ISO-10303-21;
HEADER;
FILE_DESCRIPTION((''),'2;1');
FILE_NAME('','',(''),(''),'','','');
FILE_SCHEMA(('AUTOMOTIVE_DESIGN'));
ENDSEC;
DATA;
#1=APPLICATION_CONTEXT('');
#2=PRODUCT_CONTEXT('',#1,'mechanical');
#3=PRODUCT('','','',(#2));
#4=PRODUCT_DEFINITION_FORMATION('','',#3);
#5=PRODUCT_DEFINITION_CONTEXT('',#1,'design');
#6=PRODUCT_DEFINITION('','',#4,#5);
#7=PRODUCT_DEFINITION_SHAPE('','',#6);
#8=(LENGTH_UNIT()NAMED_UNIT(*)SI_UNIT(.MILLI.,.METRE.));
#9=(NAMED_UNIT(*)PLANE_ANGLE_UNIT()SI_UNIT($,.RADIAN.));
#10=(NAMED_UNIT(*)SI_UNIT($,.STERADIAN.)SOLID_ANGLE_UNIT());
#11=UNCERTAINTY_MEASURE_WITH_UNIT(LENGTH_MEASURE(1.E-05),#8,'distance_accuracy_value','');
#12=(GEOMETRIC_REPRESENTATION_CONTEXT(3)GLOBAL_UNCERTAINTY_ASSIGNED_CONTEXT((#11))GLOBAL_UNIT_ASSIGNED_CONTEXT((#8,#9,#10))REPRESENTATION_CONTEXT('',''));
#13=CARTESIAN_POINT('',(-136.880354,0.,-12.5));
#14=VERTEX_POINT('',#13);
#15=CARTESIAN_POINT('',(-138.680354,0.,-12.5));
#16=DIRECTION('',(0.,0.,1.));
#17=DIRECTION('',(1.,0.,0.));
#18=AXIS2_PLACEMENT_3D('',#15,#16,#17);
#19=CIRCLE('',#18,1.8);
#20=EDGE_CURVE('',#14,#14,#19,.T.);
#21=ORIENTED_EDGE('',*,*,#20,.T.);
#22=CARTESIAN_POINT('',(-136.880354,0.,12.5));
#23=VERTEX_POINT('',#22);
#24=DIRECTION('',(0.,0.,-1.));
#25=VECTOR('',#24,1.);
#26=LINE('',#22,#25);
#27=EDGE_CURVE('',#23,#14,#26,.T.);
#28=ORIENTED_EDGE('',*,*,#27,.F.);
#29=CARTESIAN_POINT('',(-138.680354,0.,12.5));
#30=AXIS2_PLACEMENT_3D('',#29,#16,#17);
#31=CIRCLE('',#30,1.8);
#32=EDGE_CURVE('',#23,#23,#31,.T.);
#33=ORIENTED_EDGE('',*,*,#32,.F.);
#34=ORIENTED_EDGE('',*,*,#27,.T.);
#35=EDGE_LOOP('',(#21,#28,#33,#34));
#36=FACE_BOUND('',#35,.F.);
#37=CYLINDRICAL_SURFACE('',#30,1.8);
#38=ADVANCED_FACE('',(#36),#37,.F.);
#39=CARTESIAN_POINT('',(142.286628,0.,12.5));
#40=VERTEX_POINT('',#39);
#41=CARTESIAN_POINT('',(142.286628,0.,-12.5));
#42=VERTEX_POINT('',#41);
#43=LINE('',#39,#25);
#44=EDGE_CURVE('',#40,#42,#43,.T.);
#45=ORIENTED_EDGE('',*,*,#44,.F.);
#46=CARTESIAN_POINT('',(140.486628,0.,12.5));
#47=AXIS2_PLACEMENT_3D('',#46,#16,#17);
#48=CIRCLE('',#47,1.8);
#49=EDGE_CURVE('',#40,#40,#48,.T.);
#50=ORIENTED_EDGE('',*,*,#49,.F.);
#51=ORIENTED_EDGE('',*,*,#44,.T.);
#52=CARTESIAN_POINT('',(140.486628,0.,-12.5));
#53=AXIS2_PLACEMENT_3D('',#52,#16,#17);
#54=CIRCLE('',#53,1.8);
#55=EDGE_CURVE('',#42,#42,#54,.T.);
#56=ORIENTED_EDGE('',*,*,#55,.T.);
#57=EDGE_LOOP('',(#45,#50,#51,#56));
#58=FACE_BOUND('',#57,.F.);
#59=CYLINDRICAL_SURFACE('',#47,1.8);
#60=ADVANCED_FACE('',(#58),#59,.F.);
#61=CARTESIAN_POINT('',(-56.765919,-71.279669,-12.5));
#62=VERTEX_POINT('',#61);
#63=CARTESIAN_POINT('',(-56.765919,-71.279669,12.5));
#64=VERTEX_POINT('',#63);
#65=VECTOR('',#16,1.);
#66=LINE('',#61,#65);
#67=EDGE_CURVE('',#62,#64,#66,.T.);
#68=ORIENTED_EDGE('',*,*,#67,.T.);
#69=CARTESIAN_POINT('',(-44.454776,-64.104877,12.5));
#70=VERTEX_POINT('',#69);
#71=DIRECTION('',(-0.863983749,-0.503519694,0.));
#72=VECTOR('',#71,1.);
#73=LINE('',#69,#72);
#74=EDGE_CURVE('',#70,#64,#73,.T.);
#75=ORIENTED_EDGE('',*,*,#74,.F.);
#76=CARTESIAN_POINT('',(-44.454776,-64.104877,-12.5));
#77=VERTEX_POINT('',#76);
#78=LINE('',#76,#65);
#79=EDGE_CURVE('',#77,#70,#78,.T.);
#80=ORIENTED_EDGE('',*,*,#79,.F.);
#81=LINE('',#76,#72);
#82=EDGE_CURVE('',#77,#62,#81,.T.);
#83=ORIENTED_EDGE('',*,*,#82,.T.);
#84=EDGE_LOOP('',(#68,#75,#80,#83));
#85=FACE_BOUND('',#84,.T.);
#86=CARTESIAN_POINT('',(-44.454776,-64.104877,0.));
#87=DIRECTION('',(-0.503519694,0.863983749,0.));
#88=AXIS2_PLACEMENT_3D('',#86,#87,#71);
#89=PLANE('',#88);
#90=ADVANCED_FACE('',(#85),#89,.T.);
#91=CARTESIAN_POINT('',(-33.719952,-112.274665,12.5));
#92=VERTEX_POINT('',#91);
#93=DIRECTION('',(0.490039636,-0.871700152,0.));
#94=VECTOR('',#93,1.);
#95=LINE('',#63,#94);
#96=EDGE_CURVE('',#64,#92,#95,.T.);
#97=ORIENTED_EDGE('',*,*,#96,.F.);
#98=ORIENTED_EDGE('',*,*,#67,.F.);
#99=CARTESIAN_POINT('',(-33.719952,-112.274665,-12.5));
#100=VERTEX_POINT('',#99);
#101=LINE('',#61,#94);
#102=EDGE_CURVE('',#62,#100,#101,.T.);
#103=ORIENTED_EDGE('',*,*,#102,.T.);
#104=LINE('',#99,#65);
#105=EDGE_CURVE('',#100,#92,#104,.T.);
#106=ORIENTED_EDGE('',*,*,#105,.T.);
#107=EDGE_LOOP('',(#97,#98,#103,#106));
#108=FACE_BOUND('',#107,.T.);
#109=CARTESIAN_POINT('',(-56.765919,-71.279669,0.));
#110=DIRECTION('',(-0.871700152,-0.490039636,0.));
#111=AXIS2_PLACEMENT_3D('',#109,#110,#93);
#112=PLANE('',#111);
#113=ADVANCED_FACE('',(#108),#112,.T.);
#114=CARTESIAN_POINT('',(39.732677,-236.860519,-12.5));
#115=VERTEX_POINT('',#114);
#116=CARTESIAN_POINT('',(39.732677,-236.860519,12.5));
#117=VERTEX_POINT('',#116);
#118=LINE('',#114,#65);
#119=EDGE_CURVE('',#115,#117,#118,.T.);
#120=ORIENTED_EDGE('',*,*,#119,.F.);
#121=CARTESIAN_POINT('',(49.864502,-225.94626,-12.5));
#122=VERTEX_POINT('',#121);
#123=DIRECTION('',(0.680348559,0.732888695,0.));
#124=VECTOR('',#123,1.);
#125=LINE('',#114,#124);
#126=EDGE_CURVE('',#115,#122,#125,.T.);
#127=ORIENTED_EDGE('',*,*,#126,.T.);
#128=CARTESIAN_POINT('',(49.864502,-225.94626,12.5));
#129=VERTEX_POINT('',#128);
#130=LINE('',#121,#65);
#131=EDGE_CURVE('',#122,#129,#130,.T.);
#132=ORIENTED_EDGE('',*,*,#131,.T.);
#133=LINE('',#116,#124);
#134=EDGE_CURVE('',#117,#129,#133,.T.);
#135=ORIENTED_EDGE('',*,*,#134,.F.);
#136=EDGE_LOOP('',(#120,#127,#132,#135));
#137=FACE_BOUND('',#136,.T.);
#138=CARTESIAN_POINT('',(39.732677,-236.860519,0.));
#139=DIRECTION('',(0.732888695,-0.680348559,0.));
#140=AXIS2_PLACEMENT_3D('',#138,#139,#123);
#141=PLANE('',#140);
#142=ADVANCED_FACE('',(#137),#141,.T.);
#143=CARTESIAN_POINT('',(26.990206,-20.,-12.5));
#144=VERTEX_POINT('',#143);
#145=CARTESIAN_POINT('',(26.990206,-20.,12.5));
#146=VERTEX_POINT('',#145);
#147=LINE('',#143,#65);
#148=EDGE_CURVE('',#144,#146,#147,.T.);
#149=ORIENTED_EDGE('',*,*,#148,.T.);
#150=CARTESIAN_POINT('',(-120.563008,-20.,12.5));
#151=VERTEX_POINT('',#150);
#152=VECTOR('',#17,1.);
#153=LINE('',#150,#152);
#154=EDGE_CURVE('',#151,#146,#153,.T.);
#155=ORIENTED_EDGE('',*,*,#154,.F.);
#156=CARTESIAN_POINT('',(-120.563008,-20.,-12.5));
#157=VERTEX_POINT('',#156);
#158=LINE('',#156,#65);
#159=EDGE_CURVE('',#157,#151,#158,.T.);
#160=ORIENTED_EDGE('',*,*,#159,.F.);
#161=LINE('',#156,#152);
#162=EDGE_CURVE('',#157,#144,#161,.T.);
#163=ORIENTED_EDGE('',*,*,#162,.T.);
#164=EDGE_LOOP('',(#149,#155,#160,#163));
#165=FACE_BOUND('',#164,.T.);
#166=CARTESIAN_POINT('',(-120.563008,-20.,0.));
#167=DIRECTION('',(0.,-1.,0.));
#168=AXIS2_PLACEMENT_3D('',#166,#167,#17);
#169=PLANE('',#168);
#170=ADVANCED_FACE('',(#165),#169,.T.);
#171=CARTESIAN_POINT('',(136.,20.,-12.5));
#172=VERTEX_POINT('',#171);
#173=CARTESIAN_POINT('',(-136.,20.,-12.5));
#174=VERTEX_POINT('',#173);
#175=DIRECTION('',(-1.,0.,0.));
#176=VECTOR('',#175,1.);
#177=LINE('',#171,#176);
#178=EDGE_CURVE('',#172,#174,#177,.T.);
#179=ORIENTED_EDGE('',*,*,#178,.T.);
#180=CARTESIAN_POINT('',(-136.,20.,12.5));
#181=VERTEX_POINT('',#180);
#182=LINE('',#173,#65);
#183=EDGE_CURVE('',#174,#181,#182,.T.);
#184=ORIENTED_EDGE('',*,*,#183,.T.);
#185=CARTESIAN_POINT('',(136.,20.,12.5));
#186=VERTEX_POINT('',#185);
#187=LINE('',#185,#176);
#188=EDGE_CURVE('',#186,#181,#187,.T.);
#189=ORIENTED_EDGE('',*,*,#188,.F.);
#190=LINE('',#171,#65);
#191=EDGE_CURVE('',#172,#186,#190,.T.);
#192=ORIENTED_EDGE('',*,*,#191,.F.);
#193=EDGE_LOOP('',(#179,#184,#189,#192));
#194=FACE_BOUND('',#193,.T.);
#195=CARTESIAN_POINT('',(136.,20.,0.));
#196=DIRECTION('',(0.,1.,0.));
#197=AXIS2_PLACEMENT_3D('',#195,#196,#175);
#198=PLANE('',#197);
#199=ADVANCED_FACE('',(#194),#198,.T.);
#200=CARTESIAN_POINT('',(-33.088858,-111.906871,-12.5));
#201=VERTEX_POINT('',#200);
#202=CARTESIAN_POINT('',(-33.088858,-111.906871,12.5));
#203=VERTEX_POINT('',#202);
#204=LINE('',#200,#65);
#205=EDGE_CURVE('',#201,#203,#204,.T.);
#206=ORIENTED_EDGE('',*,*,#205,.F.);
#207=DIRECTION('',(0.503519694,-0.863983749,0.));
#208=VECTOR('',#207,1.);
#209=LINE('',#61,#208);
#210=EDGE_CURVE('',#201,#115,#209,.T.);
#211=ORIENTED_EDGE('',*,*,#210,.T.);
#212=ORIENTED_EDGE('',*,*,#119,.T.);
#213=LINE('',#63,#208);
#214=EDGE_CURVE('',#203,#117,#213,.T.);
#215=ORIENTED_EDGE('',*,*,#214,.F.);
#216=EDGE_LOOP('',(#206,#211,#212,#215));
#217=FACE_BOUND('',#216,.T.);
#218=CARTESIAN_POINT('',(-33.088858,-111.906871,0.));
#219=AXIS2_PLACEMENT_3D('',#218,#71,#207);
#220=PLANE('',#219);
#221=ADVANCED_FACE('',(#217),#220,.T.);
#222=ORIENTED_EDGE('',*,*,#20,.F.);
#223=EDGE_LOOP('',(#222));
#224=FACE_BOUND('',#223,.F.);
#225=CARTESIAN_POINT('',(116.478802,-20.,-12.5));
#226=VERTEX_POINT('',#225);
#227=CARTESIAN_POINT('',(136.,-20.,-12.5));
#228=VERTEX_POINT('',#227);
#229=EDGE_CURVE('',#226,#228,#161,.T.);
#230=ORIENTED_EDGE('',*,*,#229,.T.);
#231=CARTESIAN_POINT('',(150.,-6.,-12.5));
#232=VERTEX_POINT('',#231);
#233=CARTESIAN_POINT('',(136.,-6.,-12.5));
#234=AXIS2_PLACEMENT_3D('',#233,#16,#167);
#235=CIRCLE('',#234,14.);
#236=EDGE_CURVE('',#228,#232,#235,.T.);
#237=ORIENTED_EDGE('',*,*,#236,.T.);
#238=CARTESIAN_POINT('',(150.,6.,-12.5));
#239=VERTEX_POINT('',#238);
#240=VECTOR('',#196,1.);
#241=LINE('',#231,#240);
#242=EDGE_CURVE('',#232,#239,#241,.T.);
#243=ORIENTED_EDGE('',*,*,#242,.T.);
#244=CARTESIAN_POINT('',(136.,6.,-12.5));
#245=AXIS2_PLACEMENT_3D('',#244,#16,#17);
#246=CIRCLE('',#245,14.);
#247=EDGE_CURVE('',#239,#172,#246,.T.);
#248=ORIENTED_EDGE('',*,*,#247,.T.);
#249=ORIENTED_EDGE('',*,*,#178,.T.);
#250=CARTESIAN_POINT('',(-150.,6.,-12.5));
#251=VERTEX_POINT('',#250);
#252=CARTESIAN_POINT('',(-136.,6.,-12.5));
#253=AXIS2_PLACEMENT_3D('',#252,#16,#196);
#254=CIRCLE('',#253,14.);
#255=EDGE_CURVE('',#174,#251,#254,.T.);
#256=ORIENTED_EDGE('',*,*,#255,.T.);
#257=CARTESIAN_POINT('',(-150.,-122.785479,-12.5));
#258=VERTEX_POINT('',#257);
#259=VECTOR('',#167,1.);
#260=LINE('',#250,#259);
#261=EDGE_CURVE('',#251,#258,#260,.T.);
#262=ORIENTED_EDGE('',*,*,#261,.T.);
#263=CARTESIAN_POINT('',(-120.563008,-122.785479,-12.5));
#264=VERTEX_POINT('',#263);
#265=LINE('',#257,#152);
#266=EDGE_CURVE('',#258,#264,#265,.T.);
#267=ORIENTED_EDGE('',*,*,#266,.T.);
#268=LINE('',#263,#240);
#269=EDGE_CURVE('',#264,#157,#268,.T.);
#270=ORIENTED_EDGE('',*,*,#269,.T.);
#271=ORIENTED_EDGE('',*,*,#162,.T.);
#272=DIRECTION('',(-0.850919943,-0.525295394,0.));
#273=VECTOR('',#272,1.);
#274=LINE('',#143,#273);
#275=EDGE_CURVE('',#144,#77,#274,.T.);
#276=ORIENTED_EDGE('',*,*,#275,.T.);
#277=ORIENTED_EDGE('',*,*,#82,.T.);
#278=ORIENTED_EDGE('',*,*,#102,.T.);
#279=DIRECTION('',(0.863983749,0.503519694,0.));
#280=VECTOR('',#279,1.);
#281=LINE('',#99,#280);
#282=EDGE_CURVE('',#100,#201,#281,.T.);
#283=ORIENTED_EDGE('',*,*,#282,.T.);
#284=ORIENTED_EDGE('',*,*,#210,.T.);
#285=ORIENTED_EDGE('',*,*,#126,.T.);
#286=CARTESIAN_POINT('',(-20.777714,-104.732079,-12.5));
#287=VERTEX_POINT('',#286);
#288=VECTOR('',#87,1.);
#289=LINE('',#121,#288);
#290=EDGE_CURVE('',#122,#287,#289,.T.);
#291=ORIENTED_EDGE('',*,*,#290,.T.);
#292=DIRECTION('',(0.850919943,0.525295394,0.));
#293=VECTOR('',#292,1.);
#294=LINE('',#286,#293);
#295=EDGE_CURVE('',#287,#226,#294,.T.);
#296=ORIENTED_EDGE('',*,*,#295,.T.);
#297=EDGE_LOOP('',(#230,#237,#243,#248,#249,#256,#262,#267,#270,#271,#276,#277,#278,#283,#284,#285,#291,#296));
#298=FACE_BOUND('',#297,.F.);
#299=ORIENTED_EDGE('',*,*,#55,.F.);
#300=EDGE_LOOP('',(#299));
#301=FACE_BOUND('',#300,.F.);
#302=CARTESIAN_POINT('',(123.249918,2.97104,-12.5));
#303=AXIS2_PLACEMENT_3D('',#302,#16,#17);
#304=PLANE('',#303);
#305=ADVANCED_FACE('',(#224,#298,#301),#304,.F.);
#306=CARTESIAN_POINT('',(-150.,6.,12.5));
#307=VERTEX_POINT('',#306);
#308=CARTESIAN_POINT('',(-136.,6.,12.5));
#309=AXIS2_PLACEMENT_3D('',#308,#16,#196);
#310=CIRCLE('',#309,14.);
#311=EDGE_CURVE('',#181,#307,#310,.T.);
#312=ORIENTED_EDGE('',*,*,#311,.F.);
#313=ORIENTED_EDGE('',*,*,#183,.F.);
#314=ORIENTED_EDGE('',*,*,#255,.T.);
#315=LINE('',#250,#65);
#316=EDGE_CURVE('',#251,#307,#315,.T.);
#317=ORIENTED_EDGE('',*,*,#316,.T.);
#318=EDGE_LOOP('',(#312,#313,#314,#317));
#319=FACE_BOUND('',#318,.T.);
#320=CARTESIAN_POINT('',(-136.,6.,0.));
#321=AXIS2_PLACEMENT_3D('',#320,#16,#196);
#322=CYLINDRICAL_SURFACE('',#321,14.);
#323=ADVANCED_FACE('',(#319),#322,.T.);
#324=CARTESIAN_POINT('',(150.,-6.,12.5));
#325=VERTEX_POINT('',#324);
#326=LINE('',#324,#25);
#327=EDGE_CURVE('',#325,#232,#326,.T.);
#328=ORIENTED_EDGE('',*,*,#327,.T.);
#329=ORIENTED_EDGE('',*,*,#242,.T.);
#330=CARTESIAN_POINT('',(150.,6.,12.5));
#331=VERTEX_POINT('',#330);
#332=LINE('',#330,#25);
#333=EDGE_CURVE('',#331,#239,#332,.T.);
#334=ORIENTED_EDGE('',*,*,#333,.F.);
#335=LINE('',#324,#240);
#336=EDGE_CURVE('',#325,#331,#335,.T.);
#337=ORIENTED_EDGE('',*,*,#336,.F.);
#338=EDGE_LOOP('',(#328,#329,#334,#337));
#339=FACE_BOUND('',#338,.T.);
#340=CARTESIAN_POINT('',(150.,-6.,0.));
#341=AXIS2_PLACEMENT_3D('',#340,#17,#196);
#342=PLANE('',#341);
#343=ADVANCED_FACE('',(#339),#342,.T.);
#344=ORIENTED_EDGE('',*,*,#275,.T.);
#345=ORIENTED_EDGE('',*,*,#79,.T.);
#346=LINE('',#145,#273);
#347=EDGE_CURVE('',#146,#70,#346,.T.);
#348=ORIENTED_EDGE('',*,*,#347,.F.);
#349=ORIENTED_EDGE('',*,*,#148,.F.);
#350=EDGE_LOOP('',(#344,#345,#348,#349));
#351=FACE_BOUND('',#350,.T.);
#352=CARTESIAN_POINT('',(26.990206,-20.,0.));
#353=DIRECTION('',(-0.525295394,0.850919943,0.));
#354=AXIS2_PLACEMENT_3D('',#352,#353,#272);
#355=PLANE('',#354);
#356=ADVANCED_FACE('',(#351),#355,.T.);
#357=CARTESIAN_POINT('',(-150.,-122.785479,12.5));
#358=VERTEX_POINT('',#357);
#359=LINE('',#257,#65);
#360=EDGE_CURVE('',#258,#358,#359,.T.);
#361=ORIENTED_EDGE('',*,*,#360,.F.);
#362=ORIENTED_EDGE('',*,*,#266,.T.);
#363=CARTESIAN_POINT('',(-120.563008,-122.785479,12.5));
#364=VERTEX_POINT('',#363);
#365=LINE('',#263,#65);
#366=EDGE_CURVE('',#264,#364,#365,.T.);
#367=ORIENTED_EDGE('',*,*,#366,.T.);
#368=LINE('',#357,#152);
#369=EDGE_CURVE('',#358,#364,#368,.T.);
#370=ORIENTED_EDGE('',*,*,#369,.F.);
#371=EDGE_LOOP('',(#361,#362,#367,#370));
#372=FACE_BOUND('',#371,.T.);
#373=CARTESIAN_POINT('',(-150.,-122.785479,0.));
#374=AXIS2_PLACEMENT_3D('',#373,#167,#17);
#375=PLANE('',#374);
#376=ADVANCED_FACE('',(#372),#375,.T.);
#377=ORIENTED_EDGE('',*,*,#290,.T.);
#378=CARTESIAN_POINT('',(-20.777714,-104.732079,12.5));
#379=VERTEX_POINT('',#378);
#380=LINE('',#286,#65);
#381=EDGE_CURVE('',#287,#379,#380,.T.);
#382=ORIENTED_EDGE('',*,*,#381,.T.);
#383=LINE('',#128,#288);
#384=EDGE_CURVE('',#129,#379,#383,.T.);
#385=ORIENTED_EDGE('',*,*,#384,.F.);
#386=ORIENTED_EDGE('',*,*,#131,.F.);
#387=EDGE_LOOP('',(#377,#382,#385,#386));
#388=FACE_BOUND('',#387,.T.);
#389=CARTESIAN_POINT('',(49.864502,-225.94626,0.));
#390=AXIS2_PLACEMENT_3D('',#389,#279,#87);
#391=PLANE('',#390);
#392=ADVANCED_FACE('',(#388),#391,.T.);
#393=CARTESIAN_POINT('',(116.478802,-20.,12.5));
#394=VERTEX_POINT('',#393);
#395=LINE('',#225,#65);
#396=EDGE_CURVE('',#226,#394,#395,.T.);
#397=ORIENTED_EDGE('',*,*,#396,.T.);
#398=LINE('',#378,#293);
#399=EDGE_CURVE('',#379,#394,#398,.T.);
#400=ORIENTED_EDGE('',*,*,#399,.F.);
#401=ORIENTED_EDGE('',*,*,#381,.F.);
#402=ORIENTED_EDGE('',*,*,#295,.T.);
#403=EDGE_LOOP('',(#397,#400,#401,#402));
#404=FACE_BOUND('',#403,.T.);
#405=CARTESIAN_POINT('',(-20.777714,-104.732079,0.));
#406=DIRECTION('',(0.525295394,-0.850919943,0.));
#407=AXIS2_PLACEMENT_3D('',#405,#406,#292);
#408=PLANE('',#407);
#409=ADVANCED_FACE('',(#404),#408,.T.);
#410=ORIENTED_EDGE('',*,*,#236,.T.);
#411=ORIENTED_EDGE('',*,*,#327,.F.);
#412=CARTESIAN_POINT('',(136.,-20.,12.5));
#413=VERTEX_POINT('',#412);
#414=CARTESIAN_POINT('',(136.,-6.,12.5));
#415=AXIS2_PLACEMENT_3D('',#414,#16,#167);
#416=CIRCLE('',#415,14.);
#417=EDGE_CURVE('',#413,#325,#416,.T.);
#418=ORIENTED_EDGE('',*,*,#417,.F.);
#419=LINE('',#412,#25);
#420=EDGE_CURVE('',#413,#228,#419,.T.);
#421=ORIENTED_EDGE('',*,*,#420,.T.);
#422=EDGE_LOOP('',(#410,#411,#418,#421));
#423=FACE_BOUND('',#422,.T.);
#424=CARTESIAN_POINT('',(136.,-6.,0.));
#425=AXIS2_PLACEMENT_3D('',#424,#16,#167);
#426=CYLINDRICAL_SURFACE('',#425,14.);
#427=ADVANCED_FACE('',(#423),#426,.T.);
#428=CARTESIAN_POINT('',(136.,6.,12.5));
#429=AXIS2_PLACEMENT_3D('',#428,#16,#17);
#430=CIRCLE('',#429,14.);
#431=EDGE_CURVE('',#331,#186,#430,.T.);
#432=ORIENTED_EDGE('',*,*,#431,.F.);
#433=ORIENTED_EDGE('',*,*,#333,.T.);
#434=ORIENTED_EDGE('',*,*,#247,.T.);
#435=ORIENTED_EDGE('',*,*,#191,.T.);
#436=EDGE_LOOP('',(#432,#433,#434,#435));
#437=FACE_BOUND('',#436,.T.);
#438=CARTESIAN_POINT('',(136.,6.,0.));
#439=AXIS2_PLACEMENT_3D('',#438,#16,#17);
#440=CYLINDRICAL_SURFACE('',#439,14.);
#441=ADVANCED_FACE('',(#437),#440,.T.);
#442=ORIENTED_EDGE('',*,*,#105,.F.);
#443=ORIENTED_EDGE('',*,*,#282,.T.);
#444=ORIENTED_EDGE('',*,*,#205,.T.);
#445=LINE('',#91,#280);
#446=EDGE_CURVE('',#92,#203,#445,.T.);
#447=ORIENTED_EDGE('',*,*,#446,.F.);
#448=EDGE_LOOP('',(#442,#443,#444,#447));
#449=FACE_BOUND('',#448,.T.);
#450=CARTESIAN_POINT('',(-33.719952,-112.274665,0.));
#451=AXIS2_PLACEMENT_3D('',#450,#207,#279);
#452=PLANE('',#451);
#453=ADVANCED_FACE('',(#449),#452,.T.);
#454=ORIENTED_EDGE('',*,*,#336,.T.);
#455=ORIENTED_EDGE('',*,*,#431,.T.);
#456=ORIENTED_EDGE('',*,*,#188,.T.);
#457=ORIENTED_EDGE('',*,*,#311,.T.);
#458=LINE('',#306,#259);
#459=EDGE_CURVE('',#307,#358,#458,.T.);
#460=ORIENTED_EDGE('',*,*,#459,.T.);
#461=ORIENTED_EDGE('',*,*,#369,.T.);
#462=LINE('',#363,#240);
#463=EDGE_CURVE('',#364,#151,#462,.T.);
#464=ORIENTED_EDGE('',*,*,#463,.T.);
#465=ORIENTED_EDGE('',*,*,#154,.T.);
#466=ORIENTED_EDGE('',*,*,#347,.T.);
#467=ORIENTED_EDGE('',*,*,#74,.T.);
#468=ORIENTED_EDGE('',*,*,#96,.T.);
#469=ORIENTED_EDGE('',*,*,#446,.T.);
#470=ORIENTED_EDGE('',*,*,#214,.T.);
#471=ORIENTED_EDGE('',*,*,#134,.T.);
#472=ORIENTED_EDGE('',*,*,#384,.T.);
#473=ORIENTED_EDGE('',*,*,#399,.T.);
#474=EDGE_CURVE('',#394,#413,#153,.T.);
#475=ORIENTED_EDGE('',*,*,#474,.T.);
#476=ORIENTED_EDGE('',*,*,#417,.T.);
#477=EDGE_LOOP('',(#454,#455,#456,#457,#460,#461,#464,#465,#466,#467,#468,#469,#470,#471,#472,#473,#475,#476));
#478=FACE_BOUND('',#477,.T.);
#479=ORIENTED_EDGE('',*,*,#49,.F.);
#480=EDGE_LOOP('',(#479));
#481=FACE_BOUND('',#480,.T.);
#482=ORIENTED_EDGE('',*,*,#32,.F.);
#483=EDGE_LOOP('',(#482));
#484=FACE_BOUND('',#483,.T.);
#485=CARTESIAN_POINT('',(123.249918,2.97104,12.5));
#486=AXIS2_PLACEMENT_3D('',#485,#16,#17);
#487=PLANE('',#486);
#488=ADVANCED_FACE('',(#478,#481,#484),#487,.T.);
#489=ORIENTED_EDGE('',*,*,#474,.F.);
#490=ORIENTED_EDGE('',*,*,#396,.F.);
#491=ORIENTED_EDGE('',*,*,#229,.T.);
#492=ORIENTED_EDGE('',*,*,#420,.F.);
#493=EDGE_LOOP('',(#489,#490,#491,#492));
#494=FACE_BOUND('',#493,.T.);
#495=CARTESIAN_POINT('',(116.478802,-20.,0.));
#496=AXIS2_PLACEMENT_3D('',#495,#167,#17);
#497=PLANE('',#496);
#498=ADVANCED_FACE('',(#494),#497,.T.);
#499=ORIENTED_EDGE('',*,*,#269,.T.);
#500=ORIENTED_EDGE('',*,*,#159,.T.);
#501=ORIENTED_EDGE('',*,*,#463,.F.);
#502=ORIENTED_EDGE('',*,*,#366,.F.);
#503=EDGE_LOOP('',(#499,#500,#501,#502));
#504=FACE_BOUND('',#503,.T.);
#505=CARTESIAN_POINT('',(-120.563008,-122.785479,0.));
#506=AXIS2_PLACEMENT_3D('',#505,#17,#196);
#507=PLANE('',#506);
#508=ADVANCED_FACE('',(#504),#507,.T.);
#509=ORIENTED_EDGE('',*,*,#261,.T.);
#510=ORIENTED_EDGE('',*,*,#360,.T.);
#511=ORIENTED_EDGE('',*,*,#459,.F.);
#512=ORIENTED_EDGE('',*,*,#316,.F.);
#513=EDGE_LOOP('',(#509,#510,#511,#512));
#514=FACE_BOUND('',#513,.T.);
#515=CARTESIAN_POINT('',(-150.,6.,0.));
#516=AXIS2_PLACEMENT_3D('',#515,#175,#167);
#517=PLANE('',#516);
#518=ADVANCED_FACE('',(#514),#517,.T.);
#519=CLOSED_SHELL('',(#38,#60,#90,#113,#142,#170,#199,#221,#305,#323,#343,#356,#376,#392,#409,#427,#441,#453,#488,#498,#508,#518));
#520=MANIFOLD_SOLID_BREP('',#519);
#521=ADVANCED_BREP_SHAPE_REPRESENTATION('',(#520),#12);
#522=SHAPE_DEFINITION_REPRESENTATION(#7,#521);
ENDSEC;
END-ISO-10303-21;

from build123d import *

# Parameters (mm, degrees)
F1_DEPTH = 12.5
F2_R     = 1.8
F3_DEPTH = 26
F4_R     = 1.8
F5_DEPTH = 26


with BuildPart() as f1:
    # F0 (on Top) → F1 (new body, symmetric)
    with BuildSketch(Plane.XY):
        with BuildLine():
            ThreePointArc((150, 6), (145.8994949366, 15.8994949366), (136, 20))
            Line((136, 20), (91.7857438326, 20))
            Line((91.7857438326, 20), (116.478802159, -20))
            Line((116.478802159, -20), (136, -20))
            ThreePointArc((136, -20), (145.8994949366, -15.8994949366), (150, -6))
            Line((150, -6), (150, 6))
        make_face()
        with BuildLine():
            Line((26.9902057972, -20), (91.7857438326, 20))
            Line((91.7857438326, 20), (-120.5630078912, 20))
            Line((-120.5630078912, 20), (-136, 20))
            ThreePointArc((-136, 20), (-145.8994949366, 15.8994949366), (-150, 6))
            Line((-150, 6), (-150, -6))
            Line((-150, -6), (-150, -122.7854788303))
            Line((-150, -122.7854788303), (-120.5630078912, -122.7854788303))
            Line((-120.5630078912, -122.7854788303), (-120.5630078912, -20))
            Line((-120.5630078912, -20), (26.9902057972, -20))
        make_face()
        Polygon((116.478802159, -20), (91.7857438326, 20), (26.9902057972, -20), align=None)
        Polygon((116.478802159, -20), (26.9902057972, -20), (-44.4547757506, -64.1048774123), (-20.7777143928, -104.7320792225), align=None)
        Polygon((-20.7777143928, -104.7320792225), (-44.4547757506, -64.1048774123), (-56.7659190817, -71.2796687602), (-33.0888577239, -111.9068705703), align=None)
        Polygon((49.8645024297, -225.9462601459), (-20.7777143928, -104.7320792225), (-33.0888577239, -111.9068705703), (39.7326772195, -236.8605188106), align=None)
        Polygon((-33.0888577239, -111.9068705703), (-56.7659190817, -71.2796687602), (-33.7199519959, -112.2746649823), align=None)
    extrude(amount=F1_DEPTH, both=True)

    # F2 (on face) → F3 (cut)
    with BuildSketch(Plane.XY.offset(12.5)):
        with Locations((-138.6803537607, 0)):
            Circle(F2_R)
    extrude(amount=-F3_DEPTH, mode=Mode.SUBTRACT)

    # F4 (on face) → F5 (cut)
    with BuildSketch(Plane.XY.offset(12.5)):
        with Locations((140.4866278172, 0)):
            Circle(F4_R)
    extrude(amount=-F5_DEPTH, mode=Mode.SUBTRACT)


solid = f1.part
